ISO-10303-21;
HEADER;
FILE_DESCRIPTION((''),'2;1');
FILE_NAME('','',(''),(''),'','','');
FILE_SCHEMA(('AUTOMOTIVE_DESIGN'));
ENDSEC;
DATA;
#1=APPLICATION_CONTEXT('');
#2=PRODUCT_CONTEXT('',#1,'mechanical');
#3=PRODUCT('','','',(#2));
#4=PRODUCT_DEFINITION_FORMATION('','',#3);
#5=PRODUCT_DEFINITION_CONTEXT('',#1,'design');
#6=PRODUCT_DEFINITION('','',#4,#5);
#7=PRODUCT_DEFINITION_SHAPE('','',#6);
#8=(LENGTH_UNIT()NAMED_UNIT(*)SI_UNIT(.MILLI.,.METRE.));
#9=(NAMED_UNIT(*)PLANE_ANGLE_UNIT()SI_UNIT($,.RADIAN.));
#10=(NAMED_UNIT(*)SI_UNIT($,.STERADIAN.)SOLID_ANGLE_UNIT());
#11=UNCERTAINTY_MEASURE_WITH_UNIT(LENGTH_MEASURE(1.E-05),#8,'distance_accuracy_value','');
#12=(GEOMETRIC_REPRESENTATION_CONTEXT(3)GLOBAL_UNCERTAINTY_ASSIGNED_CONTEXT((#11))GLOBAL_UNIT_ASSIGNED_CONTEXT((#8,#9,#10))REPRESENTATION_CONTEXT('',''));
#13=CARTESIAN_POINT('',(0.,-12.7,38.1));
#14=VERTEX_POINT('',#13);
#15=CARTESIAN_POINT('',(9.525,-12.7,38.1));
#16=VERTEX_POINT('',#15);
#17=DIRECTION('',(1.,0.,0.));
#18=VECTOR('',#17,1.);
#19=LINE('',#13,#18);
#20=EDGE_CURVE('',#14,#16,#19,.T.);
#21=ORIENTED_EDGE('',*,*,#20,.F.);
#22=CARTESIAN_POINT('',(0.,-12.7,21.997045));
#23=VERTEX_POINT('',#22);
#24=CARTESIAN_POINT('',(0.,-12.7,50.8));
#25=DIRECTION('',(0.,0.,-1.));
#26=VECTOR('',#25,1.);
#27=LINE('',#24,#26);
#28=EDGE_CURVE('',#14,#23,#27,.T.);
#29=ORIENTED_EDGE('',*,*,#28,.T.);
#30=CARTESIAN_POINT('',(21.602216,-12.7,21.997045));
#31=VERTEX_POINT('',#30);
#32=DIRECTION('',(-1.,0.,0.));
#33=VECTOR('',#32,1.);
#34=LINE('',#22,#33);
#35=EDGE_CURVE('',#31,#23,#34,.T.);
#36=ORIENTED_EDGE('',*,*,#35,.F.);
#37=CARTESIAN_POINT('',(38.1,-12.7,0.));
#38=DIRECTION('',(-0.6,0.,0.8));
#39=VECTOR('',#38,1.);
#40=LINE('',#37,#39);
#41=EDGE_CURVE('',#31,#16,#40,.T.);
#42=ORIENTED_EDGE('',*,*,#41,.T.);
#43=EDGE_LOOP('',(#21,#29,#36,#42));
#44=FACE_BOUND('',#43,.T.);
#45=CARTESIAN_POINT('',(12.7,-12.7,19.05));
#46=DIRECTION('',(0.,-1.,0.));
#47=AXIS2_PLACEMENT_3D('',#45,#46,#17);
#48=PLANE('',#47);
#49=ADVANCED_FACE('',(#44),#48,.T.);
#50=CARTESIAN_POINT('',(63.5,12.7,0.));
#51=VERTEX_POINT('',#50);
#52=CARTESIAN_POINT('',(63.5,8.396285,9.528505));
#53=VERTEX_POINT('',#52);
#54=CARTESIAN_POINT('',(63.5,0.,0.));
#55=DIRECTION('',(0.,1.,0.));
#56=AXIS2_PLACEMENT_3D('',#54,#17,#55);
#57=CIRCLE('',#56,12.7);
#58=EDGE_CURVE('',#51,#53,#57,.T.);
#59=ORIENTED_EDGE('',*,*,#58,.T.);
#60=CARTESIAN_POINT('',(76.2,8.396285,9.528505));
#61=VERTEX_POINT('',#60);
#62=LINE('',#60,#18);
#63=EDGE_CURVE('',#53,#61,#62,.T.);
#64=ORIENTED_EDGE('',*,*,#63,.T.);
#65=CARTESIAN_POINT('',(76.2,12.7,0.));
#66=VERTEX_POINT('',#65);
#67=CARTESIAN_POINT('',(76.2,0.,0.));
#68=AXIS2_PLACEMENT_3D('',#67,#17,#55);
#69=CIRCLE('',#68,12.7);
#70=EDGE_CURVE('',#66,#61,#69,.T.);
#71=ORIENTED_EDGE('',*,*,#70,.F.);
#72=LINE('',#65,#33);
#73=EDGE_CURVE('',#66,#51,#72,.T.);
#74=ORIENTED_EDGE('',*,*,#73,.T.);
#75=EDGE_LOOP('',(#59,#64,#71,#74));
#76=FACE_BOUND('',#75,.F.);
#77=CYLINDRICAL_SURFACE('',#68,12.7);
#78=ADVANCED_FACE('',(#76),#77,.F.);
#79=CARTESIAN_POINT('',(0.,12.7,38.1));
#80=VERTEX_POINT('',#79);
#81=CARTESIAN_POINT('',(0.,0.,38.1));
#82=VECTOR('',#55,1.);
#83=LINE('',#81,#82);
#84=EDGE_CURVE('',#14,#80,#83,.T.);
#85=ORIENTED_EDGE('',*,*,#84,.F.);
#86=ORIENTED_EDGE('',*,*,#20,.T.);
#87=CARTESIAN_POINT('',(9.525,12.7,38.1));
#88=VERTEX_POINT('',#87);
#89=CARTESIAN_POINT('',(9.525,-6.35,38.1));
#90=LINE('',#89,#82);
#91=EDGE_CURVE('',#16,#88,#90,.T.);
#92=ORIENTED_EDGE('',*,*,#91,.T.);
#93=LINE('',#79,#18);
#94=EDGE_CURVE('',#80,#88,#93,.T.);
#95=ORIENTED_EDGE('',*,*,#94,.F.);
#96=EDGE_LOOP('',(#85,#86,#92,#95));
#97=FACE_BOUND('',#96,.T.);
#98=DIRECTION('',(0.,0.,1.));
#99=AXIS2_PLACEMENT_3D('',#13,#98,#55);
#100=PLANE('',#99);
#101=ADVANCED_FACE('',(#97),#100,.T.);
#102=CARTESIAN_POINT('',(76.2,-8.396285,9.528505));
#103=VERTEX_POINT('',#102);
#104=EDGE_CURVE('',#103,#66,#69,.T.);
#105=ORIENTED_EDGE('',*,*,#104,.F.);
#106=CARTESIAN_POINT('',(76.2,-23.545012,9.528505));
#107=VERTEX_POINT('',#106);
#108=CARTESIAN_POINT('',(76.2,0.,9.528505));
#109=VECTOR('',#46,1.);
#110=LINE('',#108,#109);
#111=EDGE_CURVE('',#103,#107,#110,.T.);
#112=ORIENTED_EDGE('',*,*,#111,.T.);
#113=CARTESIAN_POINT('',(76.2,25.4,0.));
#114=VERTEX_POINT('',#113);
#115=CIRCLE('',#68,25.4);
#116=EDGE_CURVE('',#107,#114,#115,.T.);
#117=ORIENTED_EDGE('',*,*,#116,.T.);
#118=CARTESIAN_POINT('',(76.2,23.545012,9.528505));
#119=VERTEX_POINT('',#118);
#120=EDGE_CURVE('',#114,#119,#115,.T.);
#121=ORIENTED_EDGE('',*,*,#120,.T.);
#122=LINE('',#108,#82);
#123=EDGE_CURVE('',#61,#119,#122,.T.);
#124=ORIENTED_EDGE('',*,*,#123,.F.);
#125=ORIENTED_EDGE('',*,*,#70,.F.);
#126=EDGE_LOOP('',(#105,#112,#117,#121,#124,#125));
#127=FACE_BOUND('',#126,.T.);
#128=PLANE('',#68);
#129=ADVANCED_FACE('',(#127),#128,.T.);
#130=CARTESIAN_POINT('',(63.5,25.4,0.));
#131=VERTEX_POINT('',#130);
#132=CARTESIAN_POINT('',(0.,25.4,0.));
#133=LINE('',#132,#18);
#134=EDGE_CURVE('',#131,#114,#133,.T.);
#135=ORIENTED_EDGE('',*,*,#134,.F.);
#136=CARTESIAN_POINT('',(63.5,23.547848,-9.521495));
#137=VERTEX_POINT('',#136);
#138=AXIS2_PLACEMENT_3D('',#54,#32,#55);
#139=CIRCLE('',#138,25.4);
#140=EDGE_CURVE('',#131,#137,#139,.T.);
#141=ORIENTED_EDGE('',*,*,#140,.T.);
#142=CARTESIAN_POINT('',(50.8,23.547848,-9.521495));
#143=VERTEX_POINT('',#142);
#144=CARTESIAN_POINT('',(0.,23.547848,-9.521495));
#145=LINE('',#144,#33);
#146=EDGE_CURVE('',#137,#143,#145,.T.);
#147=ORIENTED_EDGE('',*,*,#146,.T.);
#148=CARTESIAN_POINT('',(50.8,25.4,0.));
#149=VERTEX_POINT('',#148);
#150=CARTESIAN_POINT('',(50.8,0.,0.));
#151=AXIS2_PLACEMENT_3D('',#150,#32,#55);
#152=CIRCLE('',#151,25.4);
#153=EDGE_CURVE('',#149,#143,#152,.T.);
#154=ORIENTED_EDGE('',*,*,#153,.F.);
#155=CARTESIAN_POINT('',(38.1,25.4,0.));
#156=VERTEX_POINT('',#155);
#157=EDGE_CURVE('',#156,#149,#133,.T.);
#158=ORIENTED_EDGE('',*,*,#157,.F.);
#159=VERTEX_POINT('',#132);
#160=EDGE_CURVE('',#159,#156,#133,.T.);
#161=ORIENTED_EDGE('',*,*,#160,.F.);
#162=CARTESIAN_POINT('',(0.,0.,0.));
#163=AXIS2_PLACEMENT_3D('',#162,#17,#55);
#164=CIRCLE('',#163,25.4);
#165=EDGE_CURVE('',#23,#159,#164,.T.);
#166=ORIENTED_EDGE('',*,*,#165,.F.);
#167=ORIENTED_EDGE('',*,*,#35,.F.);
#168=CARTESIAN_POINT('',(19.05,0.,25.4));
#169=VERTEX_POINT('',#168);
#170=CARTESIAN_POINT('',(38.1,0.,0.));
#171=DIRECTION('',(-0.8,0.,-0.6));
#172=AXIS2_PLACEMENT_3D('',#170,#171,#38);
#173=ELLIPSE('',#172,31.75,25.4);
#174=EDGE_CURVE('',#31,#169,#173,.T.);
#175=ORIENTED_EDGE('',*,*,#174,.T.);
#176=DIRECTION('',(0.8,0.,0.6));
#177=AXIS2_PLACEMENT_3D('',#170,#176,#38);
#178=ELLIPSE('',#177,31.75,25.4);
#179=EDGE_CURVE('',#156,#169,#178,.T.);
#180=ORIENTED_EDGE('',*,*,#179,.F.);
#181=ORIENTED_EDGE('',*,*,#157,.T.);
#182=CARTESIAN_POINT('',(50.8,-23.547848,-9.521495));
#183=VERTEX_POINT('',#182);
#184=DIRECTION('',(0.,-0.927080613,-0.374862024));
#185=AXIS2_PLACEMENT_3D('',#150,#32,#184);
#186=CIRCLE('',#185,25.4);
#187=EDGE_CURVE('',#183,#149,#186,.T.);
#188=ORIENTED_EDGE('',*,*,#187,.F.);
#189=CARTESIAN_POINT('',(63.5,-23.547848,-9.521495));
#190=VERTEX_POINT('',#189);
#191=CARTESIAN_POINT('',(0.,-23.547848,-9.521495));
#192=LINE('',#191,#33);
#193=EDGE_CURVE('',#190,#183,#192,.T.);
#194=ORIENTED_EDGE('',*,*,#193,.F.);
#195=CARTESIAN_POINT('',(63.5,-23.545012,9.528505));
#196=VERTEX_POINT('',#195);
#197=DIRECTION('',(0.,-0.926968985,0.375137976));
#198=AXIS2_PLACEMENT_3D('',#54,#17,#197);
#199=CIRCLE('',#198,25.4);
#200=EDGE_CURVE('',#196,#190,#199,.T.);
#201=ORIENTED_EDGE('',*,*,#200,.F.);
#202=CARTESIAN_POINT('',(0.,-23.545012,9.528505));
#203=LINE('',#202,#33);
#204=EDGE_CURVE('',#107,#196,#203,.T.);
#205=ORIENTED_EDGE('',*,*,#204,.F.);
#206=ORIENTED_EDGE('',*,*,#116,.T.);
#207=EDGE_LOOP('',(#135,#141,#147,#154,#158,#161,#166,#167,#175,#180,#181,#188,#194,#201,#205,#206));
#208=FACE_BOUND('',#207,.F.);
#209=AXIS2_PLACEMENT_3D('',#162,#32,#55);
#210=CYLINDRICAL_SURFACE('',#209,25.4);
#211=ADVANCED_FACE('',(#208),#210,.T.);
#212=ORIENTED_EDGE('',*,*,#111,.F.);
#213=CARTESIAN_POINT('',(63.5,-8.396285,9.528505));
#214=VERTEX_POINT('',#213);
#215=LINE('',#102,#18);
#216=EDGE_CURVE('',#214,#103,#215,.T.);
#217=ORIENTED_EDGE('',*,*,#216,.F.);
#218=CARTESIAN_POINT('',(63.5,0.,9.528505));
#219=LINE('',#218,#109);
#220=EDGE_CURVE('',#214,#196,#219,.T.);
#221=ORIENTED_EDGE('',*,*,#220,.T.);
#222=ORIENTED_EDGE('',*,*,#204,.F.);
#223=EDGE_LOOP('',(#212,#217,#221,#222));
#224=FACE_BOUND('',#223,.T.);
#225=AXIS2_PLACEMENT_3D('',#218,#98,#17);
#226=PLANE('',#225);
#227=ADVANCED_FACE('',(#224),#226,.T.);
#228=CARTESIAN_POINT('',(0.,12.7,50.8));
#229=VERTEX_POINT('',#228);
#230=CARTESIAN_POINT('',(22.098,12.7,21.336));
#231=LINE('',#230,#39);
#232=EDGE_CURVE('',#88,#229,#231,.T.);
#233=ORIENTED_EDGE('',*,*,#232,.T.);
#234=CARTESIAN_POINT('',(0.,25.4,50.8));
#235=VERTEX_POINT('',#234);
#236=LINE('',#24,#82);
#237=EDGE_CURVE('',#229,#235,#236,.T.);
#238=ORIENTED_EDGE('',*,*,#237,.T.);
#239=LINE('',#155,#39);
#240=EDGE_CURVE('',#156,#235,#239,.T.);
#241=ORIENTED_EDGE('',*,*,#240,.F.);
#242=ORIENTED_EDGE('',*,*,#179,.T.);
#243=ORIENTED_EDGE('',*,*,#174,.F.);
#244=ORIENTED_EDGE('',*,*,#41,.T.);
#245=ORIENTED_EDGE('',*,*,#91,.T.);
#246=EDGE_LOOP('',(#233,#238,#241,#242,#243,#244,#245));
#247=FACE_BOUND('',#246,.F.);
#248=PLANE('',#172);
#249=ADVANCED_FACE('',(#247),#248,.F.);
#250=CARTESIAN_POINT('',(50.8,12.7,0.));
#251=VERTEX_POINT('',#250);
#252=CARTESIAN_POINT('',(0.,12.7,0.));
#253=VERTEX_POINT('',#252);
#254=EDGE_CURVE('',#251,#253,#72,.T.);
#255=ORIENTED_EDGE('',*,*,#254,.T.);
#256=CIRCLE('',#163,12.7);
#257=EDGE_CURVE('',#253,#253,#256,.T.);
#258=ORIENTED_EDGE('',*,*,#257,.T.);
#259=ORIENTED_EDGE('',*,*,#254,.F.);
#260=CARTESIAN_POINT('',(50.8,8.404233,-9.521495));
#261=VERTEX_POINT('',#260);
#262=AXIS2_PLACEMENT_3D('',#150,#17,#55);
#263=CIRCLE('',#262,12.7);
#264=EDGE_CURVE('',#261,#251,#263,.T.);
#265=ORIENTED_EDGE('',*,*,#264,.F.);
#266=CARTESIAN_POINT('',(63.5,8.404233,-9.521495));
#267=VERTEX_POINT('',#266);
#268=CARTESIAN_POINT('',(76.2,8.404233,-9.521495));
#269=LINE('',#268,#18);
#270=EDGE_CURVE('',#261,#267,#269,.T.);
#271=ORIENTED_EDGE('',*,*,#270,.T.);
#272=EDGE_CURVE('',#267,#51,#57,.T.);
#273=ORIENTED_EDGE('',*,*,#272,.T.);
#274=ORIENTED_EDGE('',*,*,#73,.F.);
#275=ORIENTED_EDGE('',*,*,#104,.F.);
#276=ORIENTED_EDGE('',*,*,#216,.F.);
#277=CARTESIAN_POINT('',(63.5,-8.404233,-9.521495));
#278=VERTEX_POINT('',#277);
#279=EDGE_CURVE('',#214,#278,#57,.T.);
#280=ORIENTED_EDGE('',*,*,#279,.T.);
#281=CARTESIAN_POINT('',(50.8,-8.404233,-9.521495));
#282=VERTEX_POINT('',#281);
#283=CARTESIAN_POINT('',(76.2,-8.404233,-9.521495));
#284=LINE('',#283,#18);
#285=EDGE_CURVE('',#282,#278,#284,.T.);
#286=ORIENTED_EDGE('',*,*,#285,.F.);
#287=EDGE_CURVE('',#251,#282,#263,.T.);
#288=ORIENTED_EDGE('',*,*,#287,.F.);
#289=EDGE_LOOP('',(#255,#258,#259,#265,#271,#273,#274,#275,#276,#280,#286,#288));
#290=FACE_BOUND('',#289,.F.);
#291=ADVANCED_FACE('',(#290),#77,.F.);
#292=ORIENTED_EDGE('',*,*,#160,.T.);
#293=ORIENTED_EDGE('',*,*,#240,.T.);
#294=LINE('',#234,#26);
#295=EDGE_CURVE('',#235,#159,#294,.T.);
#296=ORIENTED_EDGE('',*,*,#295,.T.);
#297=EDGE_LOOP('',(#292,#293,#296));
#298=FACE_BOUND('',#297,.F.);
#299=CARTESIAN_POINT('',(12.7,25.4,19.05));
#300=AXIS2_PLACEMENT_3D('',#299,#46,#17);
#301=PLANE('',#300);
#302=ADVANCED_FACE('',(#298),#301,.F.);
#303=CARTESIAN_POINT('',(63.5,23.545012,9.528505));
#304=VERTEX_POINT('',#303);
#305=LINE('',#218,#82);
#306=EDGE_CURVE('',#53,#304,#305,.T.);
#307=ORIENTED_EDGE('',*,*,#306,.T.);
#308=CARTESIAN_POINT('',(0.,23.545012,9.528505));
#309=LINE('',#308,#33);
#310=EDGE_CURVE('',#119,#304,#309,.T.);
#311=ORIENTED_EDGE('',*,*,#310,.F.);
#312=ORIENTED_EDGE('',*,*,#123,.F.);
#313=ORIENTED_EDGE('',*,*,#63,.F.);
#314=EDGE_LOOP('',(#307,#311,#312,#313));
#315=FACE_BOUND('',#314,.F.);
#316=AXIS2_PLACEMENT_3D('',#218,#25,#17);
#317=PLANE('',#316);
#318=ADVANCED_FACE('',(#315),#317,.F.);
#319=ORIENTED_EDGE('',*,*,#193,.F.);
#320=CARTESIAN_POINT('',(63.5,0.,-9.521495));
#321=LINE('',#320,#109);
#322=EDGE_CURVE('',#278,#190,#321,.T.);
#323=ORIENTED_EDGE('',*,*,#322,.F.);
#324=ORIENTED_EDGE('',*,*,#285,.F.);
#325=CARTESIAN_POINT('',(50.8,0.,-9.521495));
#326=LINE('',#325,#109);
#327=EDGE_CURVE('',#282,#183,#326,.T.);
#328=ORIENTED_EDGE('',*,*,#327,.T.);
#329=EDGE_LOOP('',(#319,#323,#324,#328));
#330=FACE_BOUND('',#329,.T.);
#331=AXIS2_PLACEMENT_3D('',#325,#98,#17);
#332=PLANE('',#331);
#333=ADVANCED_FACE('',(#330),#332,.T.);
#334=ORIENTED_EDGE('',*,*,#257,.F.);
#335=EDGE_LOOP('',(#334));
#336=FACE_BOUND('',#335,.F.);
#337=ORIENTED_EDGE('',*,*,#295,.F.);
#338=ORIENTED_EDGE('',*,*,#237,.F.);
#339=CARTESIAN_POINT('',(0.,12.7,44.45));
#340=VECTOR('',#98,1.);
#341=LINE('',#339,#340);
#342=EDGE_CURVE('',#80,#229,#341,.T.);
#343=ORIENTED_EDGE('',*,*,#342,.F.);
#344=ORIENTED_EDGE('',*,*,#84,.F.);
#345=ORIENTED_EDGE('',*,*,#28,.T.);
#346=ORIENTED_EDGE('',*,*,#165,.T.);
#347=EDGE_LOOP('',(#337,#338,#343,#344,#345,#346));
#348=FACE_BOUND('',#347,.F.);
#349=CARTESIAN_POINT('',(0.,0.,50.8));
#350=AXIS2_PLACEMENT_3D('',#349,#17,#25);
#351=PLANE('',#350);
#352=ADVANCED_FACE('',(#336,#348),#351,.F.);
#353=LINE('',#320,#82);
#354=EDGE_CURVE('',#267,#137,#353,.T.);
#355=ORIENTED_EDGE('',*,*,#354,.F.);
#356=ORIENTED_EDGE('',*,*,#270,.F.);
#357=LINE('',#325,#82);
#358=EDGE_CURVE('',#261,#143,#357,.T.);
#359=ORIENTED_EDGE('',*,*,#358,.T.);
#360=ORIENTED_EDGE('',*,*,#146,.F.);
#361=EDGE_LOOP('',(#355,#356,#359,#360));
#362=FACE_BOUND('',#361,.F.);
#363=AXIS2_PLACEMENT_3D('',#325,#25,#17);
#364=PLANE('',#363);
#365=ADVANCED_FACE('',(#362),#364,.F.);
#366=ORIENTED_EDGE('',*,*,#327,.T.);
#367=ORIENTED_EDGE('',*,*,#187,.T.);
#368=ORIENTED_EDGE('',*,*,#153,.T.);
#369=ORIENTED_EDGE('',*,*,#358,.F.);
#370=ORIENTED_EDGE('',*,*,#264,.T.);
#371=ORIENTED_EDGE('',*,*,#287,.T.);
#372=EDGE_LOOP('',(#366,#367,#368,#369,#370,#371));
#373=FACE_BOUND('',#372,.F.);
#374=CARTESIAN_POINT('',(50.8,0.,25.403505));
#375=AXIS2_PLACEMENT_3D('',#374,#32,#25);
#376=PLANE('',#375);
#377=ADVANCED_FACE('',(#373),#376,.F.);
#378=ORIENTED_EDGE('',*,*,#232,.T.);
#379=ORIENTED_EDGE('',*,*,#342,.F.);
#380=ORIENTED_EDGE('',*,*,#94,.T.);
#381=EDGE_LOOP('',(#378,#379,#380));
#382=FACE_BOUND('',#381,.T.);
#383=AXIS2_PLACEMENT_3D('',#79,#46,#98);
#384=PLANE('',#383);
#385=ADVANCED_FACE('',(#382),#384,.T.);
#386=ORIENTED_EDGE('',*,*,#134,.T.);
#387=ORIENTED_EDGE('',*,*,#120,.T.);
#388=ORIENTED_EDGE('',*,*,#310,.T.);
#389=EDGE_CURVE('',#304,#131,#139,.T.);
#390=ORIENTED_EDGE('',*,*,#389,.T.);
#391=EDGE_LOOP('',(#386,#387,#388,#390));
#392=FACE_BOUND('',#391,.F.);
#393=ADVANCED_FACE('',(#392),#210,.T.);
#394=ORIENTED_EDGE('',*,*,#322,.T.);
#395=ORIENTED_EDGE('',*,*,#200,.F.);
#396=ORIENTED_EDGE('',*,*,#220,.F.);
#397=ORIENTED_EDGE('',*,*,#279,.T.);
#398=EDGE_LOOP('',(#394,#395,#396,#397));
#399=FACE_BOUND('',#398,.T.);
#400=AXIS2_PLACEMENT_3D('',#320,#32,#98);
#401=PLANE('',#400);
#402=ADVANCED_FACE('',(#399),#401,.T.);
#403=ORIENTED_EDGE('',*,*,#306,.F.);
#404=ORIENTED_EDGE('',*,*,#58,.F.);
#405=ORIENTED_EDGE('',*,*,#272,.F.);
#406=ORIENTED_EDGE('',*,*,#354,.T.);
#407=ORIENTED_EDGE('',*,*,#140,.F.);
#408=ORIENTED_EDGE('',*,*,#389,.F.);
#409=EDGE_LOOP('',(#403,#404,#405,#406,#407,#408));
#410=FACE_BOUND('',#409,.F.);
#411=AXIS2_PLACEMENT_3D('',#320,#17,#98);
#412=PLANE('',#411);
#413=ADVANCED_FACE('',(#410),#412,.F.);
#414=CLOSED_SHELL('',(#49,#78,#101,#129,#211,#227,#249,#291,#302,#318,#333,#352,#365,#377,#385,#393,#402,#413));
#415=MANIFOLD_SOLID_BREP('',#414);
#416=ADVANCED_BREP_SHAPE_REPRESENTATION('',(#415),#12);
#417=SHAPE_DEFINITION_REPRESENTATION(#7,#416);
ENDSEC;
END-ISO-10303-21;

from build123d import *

# Parameters (mm, degrees)
F0_R           = 25.4
F0_R_2         = 12.7
F1_DEPTH       = 76.2
F4_DEPTH       = 25.4
F4_DEPTH_BACK  = 12.7
F5_R           = 12.7
F6_DEPTH       = 76.201
F7_W           = 25.4
F7_H           = 12.7
F8_DEPTH       = 76.201
F10_DEPTH      = 25.4
F10_DEPTH_BACK = 25.4


with BuildPart() as f1:
    # F0 (on Right) → F1 (new body)
    with BuildSketch(Plane.YZ):
        Circle(F0_R)
        Circle(F0_R_2, mode=Mode.SUBTRACT)
    extrude(amount=F1_DEPTH)

    # F3 (on Front) → F4 (join, two sides)
    with BuildSketch(Plane.XZ) as f4_sk:
        Polygon((0, 50.8), (0, 0), (38.1, 0), align=None)
    extrude(amount=-F4_DEPTH)
    extrude(f4_sk.sketch, amount=F4_DEPTH_BACK)

    # F5 (on face) → F6 (cut, through all)
    with BuildSketch(Plane.YZ.offset(76.2)):
        Circle(F5_R)
    extrude(amount=-F6_DEPTH, mode=Mode.SUBTRACT)

    # F7 (on face) → F8 (cut, through all)
    with BuildSketch(Plane.YZ):
        with Locations((0, 44.45)):
            Rectangle(F7_W, F7_H)
    extrude(amount=F8_DEPTH, mode=Mode.SUBTRACT)

    # F9 (on Front) → F10 (cut, two sides)
    with BuildSketch(Plane.XZ) as f10_sk:
        Polygon((76.2, 25.4035045986), (50.8, 25.4035045986), (50.8, -9.5214954014), (63.5, -9.5214954014), (63.5, 9.5285045986), (76.2, 9.5285045986), align=None)
    extrude(amount=-F10_DEPTH, mode=Mode.SUBTRACT)
    extrude(f10_sk.sketch, amount=F10_DEPTH_BACK, mode=Mode.SUBTRACT)


solid = f1.part
